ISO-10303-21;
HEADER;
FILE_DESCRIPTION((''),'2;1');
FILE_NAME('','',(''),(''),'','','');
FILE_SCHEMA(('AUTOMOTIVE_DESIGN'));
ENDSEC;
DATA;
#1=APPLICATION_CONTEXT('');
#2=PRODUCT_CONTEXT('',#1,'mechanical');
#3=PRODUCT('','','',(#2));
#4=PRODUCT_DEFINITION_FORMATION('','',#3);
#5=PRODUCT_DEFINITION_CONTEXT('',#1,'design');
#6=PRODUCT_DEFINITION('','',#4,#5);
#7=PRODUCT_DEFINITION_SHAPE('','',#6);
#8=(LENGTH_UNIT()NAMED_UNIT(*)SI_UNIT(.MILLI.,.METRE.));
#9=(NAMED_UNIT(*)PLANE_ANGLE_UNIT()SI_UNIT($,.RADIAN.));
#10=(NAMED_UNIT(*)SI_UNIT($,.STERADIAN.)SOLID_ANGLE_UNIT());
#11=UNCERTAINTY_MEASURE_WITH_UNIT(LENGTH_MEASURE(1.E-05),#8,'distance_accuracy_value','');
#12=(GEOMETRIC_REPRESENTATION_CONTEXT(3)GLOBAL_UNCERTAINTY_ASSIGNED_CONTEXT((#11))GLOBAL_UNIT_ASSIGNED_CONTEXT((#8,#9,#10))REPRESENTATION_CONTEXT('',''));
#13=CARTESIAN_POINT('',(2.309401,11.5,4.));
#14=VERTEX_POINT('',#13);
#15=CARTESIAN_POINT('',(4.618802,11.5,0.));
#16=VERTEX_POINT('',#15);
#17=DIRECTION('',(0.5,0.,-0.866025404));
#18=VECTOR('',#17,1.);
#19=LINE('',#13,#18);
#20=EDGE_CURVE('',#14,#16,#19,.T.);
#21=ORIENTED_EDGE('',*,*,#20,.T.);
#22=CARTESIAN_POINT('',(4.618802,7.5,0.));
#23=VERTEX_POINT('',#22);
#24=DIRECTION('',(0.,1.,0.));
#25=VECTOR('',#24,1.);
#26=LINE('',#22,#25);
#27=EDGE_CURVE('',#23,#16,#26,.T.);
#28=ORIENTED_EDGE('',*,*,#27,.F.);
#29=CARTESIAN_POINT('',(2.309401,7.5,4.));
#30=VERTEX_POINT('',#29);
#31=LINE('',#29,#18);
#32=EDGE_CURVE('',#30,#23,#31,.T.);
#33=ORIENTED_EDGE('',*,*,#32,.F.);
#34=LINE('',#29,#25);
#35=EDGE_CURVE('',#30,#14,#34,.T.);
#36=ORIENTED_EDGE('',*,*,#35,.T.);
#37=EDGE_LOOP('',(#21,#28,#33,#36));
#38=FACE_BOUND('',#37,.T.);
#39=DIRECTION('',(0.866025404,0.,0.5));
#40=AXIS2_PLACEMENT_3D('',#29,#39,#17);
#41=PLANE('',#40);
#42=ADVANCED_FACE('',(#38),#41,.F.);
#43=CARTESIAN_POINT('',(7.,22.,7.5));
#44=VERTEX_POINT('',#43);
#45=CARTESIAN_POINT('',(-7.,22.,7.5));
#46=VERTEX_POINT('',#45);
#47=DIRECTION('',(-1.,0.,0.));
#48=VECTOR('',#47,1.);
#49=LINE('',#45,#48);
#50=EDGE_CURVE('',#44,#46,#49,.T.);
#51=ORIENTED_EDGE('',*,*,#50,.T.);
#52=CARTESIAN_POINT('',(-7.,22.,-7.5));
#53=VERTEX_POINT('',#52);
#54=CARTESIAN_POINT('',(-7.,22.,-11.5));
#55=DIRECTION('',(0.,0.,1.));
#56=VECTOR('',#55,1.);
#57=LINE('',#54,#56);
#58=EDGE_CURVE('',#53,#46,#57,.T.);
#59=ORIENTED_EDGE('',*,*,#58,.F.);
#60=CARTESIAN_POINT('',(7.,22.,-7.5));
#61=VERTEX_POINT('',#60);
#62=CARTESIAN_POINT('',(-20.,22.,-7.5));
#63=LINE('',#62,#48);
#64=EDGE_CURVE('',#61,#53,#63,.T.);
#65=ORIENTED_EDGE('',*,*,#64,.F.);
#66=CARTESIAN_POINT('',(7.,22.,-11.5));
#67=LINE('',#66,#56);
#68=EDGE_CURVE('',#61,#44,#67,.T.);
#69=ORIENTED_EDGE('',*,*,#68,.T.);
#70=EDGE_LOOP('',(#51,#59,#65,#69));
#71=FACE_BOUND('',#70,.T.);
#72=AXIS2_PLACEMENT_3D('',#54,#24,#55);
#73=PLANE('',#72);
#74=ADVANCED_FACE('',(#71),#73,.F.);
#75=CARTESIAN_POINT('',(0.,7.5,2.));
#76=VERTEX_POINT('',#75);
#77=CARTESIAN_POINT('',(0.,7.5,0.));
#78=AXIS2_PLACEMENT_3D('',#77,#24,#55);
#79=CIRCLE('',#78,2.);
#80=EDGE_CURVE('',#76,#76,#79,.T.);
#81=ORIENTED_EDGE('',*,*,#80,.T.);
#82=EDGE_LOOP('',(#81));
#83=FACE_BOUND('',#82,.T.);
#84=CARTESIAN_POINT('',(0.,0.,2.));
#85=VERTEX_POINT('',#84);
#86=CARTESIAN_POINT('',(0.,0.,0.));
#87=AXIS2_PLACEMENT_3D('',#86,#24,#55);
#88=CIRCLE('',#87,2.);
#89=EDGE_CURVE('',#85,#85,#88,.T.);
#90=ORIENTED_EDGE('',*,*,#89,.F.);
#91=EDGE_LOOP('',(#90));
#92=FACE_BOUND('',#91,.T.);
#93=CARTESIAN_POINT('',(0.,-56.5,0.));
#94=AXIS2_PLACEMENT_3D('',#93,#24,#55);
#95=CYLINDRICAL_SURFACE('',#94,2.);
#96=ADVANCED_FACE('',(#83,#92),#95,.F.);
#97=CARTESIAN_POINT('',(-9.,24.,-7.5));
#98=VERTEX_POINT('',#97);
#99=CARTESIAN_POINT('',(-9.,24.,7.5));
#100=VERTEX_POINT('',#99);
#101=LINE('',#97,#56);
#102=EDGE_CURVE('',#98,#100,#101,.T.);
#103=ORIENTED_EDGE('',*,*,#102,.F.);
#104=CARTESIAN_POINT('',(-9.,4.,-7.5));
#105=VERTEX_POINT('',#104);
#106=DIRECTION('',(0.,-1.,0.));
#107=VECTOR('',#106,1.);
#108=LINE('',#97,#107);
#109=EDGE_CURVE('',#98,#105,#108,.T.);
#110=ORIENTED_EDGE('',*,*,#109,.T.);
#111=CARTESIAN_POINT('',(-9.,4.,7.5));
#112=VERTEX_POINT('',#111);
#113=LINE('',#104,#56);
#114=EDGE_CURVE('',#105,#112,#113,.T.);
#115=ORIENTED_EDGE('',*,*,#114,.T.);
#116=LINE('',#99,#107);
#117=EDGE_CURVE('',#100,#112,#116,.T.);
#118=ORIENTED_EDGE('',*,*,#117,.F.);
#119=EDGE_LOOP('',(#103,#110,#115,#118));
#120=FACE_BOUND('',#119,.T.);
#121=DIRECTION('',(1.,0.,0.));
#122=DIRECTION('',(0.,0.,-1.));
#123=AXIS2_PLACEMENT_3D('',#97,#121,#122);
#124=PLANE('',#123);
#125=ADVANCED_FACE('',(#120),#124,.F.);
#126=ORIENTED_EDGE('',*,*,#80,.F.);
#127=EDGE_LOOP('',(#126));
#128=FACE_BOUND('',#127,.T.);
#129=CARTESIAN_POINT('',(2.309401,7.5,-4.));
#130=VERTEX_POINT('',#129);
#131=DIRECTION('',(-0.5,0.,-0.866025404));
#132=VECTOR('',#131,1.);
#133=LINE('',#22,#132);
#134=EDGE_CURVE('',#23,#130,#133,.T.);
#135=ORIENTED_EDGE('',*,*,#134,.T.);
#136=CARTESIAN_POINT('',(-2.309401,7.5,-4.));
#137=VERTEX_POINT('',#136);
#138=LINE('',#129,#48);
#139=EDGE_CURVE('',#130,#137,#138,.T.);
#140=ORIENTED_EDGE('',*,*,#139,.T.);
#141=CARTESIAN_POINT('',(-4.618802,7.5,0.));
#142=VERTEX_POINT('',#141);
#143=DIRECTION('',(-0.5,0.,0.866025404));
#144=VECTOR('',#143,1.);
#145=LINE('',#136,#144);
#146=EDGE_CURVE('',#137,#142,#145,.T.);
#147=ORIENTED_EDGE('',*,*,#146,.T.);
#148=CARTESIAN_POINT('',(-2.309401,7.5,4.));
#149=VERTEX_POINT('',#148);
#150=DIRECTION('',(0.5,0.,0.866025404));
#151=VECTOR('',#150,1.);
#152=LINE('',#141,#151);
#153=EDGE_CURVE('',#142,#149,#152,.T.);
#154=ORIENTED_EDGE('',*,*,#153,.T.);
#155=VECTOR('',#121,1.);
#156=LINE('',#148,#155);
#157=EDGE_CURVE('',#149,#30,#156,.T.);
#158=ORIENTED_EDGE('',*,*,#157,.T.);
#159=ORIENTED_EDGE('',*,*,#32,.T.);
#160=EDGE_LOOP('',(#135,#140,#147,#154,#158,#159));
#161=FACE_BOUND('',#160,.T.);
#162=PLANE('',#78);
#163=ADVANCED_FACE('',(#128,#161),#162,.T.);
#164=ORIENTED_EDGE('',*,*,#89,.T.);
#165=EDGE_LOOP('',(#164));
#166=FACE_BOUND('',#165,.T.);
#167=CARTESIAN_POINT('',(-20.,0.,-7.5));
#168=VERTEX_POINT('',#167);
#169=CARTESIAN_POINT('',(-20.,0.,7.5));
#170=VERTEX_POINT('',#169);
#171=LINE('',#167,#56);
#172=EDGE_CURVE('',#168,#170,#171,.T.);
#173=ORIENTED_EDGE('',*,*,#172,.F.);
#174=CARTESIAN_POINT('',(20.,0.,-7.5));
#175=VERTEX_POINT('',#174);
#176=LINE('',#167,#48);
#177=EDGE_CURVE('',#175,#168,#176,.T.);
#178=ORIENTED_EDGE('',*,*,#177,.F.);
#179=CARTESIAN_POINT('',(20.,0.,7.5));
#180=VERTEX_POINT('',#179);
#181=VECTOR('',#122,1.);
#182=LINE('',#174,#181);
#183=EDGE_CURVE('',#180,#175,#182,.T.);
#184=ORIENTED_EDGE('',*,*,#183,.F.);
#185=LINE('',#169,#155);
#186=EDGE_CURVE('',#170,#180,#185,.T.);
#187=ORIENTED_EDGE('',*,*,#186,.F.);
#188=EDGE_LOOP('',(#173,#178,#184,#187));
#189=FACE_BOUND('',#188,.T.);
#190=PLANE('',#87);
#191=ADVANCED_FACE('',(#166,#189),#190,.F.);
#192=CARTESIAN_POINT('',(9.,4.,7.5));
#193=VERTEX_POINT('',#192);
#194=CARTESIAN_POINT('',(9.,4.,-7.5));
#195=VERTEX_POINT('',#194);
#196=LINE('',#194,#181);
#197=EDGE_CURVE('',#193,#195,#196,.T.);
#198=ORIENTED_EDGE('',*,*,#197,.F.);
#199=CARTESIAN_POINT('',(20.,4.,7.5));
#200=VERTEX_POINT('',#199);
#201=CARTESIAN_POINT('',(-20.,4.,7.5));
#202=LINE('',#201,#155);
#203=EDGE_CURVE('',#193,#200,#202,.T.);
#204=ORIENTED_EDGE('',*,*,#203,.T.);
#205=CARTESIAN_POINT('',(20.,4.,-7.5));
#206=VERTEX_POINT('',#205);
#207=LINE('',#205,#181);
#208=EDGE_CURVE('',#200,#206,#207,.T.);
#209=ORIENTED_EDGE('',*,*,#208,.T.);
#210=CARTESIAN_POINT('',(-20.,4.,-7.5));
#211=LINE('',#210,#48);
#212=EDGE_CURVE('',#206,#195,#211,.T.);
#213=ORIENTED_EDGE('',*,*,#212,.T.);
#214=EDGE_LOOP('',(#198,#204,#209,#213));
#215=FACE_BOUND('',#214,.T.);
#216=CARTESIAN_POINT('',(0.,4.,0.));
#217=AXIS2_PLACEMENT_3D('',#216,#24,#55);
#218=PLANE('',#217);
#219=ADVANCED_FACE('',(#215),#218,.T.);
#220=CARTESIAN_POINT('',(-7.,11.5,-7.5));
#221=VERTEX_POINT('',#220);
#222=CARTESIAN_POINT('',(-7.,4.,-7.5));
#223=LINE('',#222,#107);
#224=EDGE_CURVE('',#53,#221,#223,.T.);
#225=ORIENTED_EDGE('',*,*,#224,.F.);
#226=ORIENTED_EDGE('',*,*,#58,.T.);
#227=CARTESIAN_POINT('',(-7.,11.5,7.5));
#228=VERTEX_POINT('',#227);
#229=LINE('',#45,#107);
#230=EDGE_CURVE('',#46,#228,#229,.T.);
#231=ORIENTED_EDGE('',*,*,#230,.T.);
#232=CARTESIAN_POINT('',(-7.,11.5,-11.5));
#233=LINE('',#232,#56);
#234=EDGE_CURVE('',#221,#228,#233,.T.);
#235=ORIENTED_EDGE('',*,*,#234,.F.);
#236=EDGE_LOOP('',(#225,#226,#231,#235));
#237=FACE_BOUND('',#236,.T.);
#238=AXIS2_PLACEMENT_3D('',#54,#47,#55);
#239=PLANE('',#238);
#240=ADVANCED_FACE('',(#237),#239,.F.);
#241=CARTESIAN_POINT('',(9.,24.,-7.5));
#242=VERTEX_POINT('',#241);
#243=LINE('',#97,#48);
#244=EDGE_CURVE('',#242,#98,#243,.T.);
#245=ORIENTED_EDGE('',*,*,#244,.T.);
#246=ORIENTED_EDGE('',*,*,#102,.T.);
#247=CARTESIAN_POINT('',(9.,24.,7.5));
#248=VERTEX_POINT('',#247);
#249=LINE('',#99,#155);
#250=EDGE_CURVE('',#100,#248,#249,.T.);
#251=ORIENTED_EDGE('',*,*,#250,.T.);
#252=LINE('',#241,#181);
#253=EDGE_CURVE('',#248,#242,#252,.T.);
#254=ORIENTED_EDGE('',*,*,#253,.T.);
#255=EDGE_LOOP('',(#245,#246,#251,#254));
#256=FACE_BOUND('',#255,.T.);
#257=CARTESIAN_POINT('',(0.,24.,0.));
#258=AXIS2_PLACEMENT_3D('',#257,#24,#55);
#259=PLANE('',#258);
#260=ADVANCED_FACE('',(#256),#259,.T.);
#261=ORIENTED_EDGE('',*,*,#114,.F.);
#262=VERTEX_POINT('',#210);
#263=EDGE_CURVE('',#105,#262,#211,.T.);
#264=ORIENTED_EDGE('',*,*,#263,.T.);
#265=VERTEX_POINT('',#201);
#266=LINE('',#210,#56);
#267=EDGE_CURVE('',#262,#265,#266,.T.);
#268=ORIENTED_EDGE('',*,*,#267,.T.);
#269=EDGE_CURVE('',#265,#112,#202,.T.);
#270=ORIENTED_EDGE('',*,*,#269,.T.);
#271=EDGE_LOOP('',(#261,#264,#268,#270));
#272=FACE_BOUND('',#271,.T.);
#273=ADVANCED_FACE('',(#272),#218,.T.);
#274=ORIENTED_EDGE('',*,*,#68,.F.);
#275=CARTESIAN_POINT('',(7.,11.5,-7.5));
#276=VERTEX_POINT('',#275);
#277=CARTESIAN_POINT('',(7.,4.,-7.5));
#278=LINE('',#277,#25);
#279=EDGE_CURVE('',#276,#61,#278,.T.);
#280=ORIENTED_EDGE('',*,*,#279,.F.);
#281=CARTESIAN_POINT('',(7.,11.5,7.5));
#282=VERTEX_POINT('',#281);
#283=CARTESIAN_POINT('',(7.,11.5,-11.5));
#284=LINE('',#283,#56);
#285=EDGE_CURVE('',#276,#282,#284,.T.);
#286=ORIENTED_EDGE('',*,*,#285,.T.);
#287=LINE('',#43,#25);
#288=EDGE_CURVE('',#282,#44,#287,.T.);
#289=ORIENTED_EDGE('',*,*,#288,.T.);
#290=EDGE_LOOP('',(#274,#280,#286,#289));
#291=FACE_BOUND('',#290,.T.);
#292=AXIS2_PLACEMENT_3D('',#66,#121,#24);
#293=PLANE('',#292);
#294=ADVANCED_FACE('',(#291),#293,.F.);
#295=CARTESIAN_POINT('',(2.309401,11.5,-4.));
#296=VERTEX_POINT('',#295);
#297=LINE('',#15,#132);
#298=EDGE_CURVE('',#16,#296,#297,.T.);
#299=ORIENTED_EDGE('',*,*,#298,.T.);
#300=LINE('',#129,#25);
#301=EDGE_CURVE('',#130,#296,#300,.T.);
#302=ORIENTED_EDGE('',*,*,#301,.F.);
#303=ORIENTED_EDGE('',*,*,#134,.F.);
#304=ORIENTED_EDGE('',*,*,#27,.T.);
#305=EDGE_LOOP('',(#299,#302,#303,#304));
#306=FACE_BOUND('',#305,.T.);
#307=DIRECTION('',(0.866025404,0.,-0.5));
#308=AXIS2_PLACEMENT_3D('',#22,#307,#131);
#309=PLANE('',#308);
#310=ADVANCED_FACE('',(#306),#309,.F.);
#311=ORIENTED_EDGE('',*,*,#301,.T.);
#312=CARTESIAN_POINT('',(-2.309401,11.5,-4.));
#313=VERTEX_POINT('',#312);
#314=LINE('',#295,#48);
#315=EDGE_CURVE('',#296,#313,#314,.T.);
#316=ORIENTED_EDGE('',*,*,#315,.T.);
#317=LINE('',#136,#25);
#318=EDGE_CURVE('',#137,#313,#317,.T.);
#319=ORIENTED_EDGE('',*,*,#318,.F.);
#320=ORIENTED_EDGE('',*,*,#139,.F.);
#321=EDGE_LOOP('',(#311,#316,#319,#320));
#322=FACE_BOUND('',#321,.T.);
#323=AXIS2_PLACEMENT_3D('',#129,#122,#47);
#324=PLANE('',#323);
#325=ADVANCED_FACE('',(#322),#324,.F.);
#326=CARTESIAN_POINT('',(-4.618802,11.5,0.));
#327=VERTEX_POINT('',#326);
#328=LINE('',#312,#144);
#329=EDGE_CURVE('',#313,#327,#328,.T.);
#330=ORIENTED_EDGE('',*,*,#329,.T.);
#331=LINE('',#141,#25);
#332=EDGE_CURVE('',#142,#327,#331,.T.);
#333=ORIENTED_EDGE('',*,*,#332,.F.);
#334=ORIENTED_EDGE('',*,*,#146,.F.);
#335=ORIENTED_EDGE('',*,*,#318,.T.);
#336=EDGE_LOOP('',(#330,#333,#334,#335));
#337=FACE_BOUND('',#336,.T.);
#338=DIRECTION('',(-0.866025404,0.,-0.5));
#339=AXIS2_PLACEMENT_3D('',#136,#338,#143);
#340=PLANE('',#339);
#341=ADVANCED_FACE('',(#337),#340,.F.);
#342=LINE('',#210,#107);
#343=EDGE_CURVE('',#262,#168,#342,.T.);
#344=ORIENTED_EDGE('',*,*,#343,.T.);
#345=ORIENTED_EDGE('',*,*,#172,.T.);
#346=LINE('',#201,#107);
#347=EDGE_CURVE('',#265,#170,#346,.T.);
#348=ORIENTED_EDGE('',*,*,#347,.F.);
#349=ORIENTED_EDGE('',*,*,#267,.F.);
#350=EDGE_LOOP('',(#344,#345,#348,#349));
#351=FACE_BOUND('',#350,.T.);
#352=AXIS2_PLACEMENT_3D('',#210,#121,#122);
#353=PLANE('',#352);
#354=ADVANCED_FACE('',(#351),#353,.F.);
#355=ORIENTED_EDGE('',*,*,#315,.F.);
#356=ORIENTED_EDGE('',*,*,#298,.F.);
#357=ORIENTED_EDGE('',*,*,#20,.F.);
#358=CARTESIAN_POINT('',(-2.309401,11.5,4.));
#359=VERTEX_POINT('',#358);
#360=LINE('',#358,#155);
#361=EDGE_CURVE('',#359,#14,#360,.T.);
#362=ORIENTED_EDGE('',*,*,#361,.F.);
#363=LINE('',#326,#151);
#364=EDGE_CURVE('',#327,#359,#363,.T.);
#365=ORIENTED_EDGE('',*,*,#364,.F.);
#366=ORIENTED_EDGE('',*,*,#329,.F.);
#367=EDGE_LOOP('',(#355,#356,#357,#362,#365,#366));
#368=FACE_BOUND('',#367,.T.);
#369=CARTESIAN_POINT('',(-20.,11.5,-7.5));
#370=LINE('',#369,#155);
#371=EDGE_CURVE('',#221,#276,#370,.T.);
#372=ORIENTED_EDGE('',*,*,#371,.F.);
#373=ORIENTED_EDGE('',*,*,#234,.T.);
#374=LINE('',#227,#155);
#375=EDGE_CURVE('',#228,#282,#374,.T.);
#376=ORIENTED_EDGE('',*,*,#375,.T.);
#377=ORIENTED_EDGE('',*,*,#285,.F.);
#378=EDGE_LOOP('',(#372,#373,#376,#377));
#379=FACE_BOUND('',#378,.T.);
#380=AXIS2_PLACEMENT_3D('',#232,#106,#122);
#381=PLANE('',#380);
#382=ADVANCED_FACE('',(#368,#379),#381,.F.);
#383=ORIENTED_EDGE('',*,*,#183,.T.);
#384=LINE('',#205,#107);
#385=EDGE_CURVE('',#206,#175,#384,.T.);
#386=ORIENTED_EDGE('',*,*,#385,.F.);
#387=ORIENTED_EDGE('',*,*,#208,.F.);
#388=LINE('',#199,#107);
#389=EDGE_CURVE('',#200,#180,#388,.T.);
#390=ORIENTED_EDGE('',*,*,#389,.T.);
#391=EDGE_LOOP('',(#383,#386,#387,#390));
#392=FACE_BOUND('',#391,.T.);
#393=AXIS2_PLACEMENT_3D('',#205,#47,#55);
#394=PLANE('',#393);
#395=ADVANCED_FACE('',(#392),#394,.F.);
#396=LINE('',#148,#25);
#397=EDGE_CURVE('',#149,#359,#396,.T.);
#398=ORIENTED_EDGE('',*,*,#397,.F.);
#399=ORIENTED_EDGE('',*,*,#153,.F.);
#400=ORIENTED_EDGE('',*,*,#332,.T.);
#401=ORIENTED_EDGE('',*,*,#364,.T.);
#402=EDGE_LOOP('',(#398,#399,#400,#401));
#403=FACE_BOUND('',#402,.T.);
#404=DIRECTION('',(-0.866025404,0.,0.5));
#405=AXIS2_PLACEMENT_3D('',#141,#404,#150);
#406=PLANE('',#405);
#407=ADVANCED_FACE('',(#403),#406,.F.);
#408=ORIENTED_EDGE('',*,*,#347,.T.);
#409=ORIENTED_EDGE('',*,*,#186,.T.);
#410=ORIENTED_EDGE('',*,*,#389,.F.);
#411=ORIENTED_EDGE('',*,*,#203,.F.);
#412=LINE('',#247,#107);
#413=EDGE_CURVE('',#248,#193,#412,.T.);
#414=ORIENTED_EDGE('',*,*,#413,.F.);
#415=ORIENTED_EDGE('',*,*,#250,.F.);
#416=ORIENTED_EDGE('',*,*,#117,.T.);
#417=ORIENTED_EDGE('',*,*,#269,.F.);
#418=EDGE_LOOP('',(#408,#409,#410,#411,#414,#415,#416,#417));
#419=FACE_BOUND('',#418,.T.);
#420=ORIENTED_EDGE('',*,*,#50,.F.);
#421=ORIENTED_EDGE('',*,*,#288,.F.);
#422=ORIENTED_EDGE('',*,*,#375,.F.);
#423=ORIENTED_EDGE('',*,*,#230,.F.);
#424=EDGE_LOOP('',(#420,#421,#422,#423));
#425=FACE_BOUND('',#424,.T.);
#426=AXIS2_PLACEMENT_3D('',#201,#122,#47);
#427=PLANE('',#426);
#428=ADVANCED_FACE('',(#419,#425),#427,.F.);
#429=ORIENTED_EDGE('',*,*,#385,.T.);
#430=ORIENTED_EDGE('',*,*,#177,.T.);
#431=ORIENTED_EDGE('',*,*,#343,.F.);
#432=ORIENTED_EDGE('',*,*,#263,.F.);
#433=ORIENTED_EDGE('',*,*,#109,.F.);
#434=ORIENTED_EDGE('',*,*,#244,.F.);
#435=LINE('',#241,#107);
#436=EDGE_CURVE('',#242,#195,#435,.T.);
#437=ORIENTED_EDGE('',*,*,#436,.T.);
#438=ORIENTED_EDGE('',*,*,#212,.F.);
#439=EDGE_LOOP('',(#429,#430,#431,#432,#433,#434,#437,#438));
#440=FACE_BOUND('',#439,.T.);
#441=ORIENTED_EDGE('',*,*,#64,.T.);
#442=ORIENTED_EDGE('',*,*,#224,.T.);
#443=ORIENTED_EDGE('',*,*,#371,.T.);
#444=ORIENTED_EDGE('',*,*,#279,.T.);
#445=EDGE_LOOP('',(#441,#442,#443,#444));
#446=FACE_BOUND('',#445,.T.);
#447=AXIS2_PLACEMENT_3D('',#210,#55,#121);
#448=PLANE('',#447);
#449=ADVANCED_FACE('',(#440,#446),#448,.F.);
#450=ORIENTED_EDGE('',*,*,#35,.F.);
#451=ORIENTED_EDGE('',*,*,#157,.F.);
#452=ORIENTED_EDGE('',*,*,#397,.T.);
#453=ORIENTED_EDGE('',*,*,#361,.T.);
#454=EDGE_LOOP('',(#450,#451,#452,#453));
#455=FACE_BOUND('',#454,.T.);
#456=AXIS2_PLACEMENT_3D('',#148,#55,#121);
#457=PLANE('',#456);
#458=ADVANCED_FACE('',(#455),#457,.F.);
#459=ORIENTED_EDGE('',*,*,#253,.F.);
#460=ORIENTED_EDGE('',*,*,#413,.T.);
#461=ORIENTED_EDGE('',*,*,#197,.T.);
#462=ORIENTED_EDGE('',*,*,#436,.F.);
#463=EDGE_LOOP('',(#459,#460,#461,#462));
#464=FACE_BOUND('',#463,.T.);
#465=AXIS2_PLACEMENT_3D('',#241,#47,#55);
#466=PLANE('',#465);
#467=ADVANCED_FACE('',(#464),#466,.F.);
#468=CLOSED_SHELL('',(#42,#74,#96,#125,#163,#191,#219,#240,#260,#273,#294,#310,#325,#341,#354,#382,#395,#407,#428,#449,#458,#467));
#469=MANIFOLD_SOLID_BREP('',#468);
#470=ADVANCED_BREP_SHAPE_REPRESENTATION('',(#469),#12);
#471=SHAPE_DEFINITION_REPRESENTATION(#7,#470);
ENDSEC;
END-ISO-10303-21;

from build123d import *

# Parameters (mm, degrees)
BASESKETCH_W       = 40
BASESKETCH_H       = 15
BASE_DEPTH         = 4
HOLDERSKETCH_W     = 18
HOLDERSKETCH_H     = 15
HOLDER_DEPTH       = 20
MOTORCUTSKETCH_W   = 14
MOTORCUTSKETCH_H   = 10.5
MOTORCUT_DEPTH     = 19
NUTTHOLE_DEPTH     = 4
HOLESKETCH_R       = 2
CUT_EXTRUDE3_DEPTH = 64


with BuildPart() as part:
    # BaseSketch → Base (new body)
    with BuildSketch(Plane(origin=(0, 0, 0), x_dir=(1, 0, 0), z_dir=(0, 1, 0))):
        Rectangle(BASESKETCH_W, BASESKETCH_H)
    extrude(amount=BASE_DEPTH)

    # HolderSketch → Holder (add)
    with BuildSketch(Plane(origin=(0, 4, 0), x_dir=(1, 0, 0), z_dir=(0, 1, 0))):
        Rectangle(HOLDERSKETCH_W, HOLDERSKETCH_H)
    extrude(amount=HOLDER_DEPTH)

    # MotorCutSketch → MotorCut (cut)
    with BuildSketch(Plane.XY.offset(7.5)):
        with Locations((0, 16.75)):
            Rectangle(MOTORCUTSKETCH_W, MOTORCUTSKETCH_H)
    extrude(amount=-MOTORCUT_DEPTH, mode=Mode.SUBTRACT)

    # NuttHoleSketch → NuttHole (cut)
    with BuildSketch(Plane(origin=(0, 11.5, 0), x_dir=(1, 0, 0), z_dir=(0, 1, 0))):
        Polygon((-2.309401077, 4), (-4.618802154, 0), (-2.309401077, -4), (2.309401077, -4), (4.618802154, 0), (2.309401077, 4), align=None)
    extrude(amount=-NUTTHOLE_DEPTH, mode=Mode.SUBTRACT)

    # HoleSketch → Cut-Extrude3 (cut)
    with BuildSketch(Plane(origin=(0, 7.5, 0), x_dir=(1, 0, 0), z_dir=(0, 1, 0))):
        Circle(HOLESKETCH_R)
    extrude(amount=-CUT_EXTRUDE3_DEPTH, mode=Mode.SUBTRACT)


solid = part.part
